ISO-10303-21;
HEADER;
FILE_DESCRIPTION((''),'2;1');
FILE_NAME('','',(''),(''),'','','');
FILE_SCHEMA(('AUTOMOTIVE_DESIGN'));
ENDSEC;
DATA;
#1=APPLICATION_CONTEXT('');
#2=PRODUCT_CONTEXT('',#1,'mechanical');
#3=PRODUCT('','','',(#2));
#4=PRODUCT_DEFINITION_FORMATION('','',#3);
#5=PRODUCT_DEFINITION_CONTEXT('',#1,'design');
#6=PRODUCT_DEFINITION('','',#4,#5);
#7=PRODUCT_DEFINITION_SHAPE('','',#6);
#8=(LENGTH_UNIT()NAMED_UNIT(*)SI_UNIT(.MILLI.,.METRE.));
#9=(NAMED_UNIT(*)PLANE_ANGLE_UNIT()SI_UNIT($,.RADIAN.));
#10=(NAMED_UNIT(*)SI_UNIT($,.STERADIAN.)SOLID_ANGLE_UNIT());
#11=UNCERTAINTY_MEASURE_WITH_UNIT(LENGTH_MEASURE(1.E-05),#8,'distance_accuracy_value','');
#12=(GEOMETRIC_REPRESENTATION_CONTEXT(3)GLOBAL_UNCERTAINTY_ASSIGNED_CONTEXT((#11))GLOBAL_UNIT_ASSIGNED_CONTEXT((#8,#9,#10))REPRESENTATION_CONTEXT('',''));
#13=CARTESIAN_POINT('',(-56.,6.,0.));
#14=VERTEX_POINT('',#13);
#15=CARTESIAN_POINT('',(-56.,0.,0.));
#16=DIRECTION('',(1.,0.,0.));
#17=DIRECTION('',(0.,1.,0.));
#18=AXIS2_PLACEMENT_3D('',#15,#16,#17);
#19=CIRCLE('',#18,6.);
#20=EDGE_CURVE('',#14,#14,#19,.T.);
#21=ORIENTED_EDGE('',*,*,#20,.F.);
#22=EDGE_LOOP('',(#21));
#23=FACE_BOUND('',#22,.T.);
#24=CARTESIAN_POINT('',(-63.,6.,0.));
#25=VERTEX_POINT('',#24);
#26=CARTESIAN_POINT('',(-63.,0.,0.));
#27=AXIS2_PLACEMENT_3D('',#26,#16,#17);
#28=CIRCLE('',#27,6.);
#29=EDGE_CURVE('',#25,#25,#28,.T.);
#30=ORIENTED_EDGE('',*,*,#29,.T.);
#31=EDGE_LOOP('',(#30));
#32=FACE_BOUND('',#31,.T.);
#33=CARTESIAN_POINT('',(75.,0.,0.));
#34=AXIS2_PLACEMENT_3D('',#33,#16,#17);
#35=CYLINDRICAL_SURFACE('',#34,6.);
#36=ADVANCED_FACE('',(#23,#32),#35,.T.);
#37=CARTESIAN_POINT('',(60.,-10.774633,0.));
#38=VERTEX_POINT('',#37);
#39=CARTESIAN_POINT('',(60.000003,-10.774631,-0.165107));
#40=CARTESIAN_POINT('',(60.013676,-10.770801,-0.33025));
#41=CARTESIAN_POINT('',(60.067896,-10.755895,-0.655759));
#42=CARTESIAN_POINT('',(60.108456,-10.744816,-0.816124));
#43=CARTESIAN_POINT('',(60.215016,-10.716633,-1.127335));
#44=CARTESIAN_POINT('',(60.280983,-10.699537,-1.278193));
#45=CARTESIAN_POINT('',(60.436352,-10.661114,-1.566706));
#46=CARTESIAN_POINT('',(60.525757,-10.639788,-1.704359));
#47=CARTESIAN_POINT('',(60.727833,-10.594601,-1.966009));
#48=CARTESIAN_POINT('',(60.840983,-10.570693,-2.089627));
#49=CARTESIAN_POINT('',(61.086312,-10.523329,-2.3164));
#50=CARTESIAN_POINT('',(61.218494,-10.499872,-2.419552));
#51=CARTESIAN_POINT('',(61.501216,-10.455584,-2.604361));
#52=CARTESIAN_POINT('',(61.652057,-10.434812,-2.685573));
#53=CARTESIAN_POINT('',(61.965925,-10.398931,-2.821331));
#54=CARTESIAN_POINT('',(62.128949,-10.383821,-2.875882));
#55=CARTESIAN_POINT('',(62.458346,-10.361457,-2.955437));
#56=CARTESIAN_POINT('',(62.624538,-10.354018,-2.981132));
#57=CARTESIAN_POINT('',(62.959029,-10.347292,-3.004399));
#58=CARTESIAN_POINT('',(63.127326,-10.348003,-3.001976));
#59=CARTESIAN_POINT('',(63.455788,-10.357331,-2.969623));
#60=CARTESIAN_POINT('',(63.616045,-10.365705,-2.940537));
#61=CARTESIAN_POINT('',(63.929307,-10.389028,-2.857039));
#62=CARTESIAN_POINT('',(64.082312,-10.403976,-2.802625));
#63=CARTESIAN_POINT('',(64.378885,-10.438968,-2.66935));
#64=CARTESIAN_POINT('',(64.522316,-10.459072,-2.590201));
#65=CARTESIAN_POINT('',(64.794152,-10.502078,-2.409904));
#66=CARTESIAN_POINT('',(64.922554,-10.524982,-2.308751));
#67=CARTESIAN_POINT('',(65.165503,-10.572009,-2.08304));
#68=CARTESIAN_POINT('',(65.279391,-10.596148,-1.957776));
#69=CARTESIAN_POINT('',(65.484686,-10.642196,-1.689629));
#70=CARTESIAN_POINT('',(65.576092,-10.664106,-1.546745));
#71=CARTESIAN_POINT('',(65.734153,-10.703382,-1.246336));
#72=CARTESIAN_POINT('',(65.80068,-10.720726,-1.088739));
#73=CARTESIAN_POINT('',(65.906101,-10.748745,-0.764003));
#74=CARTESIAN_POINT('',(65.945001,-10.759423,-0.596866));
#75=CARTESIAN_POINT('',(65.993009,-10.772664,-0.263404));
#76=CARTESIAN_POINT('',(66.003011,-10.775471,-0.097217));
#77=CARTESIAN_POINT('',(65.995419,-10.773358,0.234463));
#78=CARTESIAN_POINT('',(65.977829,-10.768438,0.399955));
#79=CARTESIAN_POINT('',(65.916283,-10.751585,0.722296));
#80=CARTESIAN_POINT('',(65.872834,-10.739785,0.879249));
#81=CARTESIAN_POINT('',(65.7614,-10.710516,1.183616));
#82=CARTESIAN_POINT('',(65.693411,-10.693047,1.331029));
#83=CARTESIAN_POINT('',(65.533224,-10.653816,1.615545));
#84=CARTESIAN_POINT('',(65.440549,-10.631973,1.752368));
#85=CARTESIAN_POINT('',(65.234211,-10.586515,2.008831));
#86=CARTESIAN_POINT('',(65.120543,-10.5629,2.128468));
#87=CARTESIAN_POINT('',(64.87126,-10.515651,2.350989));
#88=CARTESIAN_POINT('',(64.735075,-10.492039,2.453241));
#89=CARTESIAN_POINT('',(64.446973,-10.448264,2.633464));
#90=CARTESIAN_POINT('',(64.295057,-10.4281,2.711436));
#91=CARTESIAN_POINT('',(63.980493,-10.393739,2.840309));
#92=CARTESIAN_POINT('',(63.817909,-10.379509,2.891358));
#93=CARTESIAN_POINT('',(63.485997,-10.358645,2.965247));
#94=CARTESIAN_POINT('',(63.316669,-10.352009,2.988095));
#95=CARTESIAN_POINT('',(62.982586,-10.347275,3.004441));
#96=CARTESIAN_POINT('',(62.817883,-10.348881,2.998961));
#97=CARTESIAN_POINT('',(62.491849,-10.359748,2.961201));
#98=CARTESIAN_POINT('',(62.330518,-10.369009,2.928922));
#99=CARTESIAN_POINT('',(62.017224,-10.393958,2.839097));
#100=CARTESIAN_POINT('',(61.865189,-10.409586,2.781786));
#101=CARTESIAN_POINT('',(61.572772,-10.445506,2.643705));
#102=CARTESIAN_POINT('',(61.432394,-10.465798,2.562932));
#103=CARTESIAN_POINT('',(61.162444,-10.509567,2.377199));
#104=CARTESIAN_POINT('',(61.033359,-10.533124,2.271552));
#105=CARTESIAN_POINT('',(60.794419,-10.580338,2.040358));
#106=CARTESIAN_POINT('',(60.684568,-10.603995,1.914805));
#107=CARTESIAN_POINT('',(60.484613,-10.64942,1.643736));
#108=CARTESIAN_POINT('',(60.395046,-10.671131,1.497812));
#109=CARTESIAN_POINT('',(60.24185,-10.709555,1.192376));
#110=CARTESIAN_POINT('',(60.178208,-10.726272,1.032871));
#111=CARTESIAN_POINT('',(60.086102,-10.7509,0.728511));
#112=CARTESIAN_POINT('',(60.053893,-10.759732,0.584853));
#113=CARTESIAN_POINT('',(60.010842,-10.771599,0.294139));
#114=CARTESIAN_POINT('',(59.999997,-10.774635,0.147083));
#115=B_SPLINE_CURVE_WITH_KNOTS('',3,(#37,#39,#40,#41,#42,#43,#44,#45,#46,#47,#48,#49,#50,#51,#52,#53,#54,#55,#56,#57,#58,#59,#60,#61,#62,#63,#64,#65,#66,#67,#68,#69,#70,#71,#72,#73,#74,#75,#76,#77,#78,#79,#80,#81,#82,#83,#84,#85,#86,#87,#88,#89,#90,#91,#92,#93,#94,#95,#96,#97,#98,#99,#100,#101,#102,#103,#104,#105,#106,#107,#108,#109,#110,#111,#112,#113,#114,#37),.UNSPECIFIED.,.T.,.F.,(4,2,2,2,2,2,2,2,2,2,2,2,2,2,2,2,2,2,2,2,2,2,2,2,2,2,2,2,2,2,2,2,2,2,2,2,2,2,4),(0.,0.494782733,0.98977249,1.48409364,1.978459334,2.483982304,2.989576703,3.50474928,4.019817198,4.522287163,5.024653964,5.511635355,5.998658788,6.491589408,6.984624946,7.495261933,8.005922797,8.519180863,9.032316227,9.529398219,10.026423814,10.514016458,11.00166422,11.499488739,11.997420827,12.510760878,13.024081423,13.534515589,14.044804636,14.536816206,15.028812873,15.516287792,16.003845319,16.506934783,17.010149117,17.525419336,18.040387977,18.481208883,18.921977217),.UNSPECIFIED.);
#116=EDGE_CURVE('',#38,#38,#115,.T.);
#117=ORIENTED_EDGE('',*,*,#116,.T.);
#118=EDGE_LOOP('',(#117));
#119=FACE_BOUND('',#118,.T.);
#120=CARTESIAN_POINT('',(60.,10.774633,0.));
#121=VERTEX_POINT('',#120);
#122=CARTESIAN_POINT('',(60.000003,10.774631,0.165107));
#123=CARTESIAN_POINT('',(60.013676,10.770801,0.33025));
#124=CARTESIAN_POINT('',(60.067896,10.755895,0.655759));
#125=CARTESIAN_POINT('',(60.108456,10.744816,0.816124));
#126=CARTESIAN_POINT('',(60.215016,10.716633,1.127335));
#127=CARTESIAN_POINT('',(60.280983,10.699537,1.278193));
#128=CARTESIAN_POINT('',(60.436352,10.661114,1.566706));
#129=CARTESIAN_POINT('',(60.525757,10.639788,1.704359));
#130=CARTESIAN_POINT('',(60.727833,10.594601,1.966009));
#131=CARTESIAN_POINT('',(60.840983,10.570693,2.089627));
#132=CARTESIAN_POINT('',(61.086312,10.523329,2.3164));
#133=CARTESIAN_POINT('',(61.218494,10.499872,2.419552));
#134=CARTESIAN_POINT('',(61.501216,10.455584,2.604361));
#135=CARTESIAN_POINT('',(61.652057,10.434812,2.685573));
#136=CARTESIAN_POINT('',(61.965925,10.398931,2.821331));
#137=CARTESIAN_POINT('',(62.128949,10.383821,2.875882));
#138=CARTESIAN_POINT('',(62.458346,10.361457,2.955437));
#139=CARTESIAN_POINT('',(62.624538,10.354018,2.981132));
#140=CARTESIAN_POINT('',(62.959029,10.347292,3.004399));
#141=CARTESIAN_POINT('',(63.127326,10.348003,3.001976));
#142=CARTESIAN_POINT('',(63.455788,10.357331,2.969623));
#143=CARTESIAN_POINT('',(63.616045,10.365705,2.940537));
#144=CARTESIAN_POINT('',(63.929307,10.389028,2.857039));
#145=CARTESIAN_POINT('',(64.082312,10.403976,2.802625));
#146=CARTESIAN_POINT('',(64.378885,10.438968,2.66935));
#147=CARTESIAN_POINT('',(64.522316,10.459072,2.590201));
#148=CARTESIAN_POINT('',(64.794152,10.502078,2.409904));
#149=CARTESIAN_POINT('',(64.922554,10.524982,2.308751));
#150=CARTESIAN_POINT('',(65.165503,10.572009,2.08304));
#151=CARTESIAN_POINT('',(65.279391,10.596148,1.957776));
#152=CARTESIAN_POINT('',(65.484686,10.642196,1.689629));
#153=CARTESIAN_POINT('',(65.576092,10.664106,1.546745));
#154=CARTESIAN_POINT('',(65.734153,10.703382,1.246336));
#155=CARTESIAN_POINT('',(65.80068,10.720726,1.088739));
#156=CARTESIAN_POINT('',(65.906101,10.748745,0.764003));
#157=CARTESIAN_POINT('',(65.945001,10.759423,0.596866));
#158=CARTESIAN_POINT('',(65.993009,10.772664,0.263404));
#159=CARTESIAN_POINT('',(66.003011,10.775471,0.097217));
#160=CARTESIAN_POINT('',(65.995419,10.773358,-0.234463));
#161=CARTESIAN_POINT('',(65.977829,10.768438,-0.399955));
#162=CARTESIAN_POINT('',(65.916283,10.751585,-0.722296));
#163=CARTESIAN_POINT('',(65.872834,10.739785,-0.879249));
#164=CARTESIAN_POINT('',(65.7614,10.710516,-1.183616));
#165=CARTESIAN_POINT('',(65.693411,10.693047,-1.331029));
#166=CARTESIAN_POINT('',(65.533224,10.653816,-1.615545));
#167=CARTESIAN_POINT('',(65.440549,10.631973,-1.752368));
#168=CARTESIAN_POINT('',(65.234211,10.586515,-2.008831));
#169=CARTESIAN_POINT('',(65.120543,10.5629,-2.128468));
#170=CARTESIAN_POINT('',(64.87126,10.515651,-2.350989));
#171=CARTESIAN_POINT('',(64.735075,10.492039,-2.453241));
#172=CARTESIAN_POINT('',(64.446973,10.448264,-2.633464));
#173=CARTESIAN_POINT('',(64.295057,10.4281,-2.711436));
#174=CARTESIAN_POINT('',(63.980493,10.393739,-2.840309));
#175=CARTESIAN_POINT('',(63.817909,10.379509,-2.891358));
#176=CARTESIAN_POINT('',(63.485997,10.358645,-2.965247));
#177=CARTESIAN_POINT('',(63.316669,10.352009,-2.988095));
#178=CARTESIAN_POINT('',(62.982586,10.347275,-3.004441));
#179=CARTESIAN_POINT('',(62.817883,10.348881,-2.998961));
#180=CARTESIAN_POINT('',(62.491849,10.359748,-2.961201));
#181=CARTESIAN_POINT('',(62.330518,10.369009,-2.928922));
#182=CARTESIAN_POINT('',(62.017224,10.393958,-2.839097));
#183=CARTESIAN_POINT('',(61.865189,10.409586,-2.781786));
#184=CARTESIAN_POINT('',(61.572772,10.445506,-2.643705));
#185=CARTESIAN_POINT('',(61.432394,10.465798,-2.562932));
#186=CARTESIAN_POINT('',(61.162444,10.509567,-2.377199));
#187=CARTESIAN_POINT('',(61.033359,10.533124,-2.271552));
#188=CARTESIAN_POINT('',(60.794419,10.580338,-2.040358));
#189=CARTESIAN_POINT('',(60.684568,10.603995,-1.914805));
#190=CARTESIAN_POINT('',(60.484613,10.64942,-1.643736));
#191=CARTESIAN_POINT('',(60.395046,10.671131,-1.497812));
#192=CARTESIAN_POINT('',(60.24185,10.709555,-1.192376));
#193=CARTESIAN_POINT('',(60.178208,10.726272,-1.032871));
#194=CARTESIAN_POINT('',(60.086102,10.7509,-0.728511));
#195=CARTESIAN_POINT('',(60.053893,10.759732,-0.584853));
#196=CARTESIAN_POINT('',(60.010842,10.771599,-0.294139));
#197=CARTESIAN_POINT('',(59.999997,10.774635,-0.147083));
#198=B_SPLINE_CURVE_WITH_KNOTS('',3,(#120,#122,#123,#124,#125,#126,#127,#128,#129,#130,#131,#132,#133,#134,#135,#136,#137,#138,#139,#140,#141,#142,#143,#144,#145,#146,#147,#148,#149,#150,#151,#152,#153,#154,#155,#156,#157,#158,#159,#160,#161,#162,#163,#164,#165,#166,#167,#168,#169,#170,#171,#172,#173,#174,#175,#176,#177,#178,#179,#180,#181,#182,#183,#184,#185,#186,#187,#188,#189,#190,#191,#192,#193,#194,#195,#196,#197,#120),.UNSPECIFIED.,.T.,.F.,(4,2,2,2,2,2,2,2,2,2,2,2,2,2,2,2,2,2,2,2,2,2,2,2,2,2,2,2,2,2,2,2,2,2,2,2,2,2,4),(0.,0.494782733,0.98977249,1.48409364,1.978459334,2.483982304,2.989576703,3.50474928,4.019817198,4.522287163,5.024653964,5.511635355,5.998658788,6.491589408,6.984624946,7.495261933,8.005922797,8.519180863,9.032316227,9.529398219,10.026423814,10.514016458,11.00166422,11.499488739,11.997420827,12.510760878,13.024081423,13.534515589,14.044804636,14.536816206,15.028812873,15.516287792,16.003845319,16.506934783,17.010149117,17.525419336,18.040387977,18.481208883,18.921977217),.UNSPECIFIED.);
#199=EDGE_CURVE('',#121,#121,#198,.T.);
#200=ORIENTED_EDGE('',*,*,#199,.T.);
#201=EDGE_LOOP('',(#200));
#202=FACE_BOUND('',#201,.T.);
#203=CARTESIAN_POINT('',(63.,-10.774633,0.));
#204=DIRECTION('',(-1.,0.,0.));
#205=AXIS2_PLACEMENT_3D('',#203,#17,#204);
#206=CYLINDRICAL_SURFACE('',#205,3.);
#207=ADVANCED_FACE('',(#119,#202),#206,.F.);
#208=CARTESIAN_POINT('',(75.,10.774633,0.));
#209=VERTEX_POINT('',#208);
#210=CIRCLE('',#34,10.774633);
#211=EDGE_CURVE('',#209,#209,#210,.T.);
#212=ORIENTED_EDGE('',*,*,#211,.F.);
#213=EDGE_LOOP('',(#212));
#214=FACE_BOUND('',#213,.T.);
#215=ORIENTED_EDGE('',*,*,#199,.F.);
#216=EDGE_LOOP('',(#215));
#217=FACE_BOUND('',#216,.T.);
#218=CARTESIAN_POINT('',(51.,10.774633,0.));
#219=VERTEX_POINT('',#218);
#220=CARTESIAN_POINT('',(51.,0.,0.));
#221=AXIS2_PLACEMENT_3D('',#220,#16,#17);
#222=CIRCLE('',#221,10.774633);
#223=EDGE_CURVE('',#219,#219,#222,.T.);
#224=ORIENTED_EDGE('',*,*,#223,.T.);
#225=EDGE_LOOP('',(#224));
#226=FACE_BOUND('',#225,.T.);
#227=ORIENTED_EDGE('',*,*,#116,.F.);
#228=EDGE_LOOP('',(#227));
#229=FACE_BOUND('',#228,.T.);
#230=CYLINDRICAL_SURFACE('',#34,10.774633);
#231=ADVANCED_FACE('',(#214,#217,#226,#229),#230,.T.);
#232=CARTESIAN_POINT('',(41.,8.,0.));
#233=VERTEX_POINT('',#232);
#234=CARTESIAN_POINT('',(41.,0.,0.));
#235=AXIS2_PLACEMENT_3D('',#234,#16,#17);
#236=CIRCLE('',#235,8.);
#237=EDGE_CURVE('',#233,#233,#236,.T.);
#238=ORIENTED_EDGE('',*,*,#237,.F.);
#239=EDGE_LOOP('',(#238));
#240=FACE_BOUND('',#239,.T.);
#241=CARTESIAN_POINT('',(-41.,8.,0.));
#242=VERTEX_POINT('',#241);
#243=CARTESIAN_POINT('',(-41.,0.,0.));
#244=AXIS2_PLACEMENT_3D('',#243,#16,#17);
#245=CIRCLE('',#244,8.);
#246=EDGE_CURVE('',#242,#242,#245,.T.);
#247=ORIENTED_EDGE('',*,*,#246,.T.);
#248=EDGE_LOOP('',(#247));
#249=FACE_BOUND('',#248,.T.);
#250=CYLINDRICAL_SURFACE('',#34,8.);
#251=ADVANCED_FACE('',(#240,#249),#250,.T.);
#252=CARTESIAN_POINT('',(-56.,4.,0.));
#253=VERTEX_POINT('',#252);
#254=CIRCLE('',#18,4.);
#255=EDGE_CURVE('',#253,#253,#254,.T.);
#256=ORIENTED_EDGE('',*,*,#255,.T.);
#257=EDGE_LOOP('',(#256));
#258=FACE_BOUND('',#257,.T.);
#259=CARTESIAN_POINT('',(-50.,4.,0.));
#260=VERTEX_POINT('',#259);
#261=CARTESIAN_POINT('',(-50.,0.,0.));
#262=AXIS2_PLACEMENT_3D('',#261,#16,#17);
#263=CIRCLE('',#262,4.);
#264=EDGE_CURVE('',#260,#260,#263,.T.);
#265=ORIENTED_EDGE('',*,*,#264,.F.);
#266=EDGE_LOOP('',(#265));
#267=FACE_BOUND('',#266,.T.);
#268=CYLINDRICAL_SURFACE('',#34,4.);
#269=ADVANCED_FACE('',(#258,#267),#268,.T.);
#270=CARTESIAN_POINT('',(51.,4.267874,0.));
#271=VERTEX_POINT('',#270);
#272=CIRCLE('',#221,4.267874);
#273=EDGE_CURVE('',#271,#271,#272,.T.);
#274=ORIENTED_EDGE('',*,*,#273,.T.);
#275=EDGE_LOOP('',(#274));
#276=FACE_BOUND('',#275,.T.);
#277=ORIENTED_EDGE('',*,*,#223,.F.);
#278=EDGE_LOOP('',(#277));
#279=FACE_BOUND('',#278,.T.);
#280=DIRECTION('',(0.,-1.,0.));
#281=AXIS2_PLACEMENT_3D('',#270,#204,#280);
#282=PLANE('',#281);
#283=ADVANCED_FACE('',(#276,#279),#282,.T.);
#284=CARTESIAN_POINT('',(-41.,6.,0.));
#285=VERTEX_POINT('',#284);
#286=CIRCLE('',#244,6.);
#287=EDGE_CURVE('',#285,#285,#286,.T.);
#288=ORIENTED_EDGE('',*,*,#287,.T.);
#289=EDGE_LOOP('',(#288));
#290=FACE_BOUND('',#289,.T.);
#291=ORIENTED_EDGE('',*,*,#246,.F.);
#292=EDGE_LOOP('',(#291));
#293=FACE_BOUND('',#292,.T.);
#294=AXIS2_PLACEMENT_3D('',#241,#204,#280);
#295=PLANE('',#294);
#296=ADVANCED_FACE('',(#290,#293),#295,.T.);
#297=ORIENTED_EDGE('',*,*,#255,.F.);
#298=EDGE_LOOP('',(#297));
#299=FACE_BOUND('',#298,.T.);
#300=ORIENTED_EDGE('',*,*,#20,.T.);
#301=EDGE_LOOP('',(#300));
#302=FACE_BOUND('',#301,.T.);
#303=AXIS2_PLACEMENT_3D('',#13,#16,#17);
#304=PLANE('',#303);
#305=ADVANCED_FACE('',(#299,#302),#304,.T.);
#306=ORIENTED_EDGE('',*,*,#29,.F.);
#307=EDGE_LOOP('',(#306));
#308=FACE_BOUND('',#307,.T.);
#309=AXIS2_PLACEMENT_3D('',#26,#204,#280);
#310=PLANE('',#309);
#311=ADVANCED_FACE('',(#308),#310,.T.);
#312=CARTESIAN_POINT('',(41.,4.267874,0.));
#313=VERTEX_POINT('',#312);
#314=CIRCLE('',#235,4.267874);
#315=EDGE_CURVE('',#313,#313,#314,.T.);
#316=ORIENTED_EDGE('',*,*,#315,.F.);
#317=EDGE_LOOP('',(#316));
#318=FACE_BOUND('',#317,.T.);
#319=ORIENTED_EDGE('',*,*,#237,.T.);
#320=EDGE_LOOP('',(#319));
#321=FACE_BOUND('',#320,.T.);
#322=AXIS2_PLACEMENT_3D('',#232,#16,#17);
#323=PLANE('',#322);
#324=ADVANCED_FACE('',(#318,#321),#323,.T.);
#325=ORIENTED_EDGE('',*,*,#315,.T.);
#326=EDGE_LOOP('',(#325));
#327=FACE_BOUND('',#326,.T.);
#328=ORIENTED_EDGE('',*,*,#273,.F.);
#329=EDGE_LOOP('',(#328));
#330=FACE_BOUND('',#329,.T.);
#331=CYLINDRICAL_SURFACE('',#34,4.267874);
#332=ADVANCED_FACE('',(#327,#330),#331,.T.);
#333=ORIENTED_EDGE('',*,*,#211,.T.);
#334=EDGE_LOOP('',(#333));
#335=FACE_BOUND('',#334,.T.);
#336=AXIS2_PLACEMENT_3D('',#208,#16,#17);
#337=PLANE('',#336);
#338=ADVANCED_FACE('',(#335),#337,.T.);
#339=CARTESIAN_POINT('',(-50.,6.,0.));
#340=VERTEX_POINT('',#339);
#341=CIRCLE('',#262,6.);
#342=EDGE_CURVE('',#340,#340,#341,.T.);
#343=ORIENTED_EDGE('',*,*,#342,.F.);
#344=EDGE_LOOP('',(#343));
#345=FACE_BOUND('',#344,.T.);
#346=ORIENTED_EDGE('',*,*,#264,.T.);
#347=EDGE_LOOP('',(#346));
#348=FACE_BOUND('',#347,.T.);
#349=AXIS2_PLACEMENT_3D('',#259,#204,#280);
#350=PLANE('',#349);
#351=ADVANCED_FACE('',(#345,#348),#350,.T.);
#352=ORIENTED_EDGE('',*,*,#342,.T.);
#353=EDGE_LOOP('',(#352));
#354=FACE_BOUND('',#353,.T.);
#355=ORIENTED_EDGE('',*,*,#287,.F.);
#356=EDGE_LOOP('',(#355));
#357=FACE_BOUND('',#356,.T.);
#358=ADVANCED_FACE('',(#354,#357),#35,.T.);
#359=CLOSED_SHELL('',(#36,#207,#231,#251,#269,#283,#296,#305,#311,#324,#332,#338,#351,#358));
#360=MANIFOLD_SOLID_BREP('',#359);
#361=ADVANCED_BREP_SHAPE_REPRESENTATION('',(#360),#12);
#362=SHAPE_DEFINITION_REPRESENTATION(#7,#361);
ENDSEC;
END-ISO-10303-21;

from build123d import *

# Parameters (mm, degrees)
CUT_EXTRUDE1_DEPTH      = 79.774764709
CUT_EXTRUDE1_DEPTH_BACK = 79.774764709
SKETCH2_R               = 3


with BuildPart() as part:
    # Sketch1 → Revolve1 (revolve)
    with BuildSketch(Plane.XY):
        Polygon((41, 4.267874105), (51, 4.267874105), (51, 10.774632754), (75, 10.774632754), (75, 0), (-63, 0), (-63, 6), (-56, 6), (-56, 4), (-50, 4), (-50, 6), (-41, 6), (-41, 8), (41, 8), align=None)
    revolve(axis=Axis((75, 0, 0), (-1, 0, 0)))

    # Sketch2 → Cut-Extrude1 (cut, two sides: drawn at the far end of the back side and taken through both)
    with BuildSketch(Plane(origin=(0, 10.774632754, 0), x_dir=(1, 0, 0), z_dir=(0, 1, 0)).offset(-CUT_EXTRUDE1_DEPTH_BACK)):
        with Locations(Location((63, 0, 0), (0, 0, 180))):
            Circle(SKETCH2_R)
    extrude(amount=CUT_EXTRUDE1_DEPTH + CUT_EXTRUDE1_DEPTH_BACK, mode=Mode.SUBTRACT)


solid = part.part
